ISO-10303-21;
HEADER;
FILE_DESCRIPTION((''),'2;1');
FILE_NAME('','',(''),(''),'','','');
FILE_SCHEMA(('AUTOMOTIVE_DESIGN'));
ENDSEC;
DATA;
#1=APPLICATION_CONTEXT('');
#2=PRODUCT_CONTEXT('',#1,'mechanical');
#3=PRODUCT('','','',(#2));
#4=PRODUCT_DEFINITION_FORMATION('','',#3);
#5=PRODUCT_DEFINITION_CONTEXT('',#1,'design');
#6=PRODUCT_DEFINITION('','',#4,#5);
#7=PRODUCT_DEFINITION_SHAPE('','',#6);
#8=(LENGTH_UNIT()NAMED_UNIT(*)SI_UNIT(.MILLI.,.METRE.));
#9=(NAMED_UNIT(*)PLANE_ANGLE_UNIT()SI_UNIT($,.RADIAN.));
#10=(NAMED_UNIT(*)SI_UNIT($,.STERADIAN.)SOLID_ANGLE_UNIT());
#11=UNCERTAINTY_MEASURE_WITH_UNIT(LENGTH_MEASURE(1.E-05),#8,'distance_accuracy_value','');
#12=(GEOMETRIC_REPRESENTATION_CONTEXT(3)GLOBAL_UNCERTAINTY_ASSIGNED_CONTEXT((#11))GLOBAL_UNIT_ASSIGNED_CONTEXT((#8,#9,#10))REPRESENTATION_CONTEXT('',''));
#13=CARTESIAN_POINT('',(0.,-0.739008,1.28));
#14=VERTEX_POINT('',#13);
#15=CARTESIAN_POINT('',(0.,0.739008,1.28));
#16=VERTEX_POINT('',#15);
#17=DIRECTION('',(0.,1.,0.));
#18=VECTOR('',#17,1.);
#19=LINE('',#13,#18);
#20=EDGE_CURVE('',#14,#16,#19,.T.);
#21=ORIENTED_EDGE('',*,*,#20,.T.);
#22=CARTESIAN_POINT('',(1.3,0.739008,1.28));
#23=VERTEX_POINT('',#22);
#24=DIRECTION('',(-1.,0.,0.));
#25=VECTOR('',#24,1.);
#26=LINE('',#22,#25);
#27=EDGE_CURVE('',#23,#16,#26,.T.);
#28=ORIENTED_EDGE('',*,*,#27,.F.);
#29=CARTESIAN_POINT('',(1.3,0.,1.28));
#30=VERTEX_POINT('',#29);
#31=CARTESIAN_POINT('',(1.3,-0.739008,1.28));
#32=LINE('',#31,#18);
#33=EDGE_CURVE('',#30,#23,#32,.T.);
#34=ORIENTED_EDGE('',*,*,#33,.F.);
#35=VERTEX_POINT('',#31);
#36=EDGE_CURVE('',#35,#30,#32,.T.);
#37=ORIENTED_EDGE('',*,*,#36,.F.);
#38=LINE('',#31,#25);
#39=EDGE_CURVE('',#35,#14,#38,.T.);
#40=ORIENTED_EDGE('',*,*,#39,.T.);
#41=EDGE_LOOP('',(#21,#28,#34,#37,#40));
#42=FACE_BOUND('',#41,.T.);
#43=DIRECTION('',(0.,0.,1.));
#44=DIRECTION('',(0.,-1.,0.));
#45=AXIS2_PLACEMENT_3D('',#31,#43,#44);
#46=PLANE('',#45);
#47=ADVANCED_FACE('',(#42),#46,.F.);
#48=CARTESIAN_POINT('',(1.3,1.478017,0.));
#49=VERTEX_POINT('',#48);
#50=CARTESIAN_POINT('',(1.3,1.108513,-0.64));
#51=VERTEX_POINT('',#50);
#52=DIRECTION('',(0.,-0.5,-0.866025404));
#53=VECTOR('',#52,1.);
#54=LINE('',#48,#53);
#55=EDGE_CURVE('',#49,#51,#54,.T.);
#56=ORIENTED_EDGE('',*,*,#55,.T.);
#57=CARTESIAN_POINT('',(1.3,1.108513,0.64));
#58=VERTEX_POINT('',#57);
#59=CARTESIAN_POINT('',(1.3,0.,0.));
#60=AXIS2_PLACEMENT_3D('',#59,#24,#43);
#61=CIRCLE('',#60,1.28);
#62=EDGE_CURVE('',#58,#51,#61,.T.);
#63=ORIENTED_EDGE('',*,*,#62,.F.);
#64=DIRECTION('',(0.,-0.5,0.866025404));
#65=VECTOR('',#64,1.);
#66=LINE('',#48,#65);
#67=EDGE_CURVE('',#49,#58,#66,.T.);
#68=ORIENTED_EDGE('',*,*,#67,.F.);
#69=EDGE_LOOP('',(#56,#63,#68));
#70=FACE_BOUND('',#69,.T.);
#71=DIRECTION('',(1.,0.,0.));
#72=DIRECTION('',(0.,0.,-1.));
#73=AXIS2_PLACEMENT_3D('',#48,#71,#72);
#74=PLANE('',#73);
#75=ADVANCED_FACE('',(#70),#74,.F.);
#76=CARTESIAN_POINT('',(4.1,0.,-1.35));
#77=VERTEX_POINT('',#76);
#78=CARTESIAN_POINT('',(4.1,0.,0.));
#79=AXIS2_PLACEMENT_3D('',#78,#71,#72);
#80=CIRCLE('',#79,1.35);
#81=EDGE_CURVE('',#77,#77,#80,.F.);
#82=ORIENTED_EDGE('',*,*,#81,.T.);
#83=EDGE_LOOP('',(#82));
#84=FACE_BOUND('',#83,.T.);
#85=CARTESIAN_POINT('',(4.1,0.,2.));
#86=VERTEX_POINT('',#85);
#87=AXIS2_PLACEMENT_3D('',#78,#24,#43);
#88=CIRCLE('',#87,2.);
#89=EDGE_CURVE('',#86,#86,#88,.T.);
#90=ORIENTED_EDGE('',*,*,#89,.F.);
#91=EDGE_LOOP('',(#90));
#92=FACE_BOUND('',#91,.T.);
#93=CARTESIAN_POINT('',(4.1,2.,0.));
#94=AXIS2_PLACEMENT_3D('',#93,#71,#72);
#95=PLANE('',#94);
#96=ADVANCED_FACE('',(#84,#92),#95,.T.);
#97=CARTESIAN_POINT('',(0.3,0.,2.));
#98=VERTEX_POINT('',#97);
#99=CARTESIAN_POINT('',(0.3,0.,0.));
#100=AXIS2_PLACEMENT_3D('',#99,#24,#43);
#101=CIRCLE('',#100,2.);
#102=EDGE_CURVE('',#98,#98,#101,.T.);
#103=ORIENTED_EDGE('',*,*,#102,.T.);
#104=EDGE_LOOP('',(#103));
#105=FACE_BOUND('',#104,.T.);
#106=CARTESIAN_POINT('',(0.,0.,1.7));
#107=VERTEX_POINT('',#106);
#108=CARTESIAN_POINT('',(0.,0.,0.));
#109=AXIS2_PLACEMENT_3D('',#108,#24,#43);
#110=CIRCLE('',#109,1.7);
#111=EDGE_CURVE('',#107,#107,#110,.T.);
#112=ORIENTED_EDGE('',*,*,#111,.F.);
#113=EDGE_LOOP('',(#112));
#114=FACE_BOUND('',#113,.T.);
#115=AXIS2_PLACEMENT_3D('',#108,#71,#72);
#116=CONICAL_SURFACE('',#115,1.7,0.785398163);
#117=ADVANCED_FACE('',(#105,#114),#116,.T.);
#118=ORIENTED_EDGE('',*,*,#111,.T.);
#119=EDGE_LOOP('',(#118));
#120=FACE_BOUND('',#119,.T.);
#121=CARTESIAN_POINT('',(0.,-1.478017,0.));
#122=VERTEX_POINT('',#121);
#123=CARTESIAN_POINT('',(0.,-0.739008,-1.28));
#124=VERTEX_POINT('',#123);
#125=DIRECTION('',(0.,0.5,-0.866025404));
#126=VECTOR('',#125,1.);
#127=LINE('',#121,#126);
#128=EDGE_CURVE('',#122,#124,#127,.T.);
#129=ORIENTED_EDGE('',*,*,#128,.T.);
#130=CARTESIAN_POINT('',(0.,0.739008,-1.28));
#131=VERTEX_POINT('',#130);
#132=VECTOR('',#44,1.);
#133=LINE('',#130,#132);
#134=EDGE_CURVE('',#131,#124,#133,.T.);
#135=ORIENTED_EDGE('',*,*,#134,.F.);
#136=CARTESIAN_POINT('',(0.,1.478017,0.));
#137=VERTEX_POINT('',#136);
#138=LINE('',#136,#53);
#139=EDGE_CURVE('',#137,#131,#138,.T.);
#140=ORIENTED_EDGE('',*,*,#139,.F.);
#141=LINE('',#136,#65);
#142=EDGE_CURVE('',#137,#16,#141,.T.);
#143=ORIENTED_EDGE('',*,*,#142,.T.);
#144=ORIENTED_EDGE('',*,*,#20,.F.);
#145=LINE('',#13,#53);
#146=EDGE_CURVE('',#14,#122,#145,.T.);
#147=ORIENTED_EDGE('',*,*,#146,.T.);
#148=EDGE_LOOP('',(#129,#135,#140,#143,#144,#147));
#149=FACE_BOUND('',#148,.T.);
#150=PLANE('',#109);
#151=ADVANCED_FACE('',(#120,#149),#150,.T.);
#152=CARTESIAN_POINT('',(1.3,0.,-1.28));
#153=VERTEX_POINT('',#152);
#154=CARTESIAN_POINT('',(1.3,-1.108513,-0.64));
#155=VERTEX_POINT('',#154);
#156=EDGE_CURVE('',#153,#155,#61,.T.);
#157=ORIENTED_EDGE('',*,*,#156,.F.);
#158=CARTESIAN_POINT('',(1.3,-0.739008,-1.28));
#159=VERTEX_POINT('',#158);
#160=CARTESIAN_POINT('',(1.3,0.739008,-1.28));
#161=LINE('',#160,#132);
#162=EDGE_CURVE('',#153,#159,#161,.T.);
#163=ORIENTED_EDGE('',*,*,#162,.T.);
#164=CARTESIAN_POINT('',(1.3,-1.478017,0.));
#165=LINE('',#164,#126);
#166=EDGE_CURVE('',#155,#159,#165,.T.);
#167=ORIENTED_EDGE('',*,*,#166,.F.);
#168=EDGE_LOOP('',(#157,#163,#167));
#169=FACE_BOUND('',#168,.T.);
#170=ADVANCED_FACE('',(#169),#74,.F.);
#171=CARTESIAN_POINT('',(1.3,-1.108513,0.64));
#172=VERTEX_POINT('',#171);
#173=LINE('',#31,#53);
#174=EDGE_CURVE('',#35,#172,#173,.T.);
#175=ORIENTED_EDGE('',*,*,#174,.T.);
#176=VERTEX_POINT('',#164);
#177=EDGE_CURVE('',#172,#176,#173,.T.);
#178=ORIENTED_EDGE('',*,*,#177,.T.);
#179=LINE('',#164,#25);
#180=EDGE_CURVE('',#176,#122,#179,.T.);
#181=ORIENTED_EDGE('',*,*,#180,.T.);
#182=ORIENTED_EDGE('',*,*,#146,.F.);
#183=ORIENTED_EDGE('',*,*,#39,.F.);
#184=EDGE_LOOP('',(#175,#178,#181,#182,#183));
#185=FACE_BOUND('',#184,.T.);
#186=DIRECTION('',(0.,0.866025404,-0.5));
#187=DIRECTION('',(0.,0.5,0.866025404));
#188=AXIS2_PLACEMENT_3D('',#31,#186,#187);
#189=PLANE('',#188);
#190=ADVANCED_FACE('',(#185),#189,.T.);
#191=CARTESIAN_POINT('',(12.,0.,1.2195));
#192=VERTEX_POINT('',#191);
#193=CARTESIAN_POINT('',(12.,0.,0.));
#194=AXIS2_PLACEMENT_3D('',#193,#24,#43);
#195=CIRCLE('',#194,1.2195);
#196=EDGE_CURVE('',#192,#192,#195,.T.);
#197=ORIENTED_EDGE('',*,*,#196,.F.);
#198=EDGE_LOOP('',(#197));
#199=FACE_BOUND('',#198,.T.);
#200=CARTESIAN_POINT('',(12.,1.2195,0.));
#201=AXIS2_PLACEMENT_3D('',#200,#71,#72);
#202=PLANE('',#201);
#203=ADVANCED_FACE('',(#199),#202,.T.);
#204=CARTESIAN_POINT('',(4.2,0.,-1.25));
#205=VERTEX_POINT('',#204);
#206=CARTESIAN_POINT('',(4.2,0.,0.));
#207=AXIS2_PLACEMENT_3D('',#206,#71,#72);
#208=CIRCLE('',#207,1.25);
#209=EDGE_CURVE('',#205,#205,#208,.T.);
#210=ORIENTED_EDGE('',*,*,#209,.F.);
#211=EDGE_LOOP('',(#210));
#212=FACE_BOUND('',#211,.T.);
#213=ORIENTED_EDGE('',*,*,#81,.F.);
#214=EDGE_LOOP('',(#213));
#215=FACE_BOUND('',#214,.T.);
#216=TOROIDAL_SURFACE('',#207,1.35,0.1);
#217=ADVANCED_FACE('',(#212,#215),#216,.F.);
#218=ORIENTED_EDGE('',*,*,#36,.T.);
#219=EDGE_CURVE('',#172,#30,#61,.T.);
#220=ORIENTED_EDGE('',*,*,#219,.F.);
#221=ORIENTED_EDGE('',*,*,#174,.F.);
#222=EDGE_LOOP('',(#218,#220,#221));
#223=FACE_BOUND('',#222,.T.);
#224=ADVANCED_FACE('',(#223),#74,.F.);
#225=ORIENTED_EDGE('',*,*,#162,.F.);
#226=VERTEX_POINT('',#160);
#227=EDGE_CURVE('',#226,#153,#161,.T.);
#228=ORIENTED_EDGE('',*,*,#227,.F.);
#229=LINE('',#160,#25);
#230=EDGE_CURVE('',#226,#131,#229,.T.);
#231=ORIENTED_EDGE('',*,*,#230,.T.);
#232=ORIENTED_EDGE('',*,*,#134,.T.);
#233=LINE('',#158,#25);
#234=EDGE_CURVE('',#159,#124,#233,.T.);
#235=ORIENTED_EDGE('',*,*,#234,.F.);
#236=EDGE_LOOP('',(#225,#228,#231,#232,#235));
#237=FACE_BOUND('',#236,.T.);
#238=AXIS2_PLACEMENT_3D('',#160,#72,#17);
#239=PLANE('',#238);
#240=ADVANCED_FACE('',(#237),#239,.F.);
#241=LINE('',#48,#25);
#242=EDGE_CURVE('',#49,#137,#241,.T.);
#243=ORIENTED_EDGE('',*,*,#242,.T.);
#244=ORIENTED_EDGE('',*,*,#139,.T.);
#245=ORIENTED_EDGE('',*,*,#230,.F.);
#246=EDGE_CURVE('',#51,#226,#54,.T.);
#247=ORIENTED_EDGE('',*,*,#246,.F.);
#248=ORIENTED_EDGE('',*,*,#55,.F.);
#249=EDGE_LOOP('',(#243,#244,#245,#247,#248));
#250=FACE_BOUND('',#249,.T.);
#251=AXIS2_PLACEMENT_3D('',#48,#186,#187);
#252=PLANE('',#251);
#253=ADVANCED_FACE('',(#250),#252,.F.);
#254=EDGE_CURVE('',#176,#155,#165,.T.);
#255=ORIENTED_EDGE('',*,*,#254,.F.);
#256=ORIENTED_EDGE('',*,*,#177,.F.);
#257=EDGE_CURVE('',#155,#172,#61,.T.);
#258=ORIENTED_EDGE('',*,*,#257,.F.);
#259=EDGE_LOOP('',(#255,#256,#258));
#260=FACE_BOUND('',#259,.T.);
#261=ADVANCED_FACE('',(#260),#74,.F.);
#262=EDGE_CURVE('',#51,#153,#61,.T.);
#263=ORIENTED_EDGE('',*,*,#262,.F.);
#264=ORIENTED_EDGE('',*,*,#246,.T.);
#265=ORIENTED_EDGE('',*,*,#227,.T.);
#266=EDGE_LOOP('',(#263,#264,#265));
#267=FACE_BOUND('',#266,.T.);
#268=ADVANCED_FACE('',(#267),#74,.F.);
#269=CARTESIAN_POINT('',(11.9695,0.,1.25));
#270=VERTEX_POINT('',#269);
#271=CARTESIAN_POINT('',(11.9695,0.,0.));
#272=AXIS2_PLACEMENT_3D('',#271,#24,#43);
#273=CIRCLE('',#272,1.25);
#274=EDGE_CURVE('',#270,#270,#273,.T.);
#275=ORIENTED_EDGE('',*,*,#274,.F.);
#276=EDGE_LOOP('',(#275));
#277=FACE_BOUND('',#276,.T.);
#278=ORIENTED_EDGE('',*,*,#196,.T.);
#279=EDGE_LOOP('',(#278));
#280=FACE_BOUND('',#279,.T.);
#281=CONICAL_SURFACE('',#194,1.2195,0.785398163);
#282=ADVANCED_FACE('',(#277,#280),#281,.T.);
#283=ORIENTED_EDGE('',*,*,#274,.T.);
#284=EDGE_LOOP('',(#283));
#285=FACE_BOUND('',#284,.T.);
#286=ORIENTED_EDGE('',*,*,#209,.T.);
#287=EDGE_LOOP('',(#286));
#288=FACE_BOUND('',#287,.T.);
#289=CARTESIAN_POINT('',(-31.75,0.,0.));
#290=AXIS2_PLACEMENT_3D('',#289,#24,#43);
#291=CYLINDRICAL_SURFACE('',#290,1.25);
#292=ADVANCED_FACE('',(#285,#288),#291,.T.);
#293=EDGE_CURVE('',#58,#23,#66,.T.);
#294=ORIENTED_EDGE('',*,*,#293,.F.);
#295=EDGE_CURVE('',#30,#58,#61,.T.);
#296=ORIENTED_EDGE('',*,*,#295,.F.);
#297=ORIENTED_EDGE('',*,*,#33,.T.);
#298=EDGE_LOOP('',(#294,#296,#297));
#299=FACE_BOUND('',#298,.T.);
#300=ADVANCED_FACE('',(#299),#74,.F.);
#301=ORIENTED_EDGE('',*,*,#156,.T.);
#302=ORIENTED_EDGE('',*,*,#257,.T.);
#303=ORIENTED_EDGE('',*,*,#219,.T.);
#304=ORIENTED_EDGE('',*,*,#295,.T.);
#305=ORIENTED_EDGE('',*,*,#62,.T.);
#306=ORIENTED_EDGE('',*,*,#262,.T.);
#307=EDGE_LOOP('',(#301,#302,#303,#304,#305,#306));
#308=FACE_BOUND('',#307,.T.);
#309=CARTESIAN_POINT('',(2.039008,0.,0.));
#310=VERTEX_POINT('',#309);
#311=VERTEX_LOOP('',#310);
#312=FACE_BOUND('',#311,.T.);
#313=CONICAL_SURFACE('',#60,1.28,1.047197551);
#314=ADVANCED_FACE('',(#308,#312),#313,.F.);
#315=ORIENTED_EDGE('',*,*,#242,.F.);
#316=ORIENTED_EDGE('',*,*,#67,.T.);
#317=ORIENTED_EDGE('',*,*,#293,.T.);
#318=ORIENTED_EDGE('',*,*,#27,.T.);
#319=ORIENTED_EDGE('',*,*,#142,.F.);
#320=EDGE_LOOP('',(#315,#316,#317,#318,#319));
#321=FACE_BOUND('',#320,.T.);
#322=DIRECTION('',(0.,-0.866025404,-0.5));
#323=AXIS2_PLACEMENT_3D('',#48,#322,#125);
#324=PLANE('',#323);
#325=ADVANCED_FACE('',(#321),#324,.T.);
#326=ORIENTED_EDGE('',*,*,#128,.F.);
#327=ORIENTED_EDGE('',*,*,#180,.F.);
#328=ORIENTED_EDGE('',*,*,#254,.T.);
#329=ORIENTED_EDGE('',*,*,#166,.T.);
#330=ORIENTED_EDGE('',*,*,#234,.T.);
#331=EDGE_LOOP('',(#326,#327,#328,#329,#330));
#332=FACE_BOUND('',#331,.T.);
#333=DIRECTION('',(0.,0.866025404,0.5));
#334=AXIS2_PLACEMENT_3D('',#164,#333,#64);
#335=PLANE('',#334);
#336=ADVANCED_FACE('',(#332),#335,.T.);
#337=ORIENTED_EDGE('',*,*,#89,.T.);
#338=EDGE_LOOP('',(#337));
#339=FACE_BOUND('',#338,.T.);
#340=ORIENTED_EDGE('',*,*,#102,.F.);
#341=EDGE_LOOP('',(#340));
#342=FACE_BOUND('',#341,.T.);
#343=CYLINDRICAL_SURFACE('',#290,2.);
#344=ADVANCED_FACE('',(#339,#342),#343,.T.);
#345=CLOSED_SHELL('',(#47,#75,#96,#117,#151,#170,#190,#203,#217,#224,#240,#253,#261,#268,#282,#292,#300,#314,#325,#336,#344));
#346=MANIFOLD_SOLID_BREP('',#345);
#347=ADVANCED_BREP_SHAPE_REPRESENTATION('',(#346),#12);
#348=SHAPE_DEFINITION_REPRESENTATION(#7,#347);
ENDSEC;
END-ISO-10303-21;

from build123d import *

# Parameters (mm, degrees)
FILLET1_R   = 0.1
HEX_2_DEPTH = 1.3


with BuildPart() as part:
    # BodySke → Base-Revolve (revolve)
    with BuildSketch(Plane.XY, mode=Mode.PRIVATE) as base_revolve_sk:
        Polygon((0, 0), (0, 1.7), (0.3, 2), (4.1, 2), (4.1, 1.25), (11.9695, 1.25), (12, 1.2195), (12, 0), align=None)
    revolve(base_revolve_sk.sketch.rotate(Axis((-31.75, 0, 0), (1, 0, 0)), 90), axis=Axis((-31.75, 0, 0), (1, 0, 0)))

    # Fillet1
    fillet1_edges = [part.edges().sort_by_distance(p)[0] for p in [
        (4.1, 0, -1.25),
    ]]
    fillet(fillet1_edges, radius=FILLET1_R)

    # Sketch2 → Hex-PreBroach (revolve, cut)
    with BuildSketch(Plane.XY, mode=Mode.PRIVATE) as hex_prebroach_sk:
        Polygon((0, 1.28), (1.3, 1.28), (2.039008345, 0), (0, 0), align=None)
    revolve(hex_prebroach_sk.sketch.rotate(Axis((0, 0, 0), (1, 0, 0)), 90), axis=Axis((0, 0, 0), (1, 0, 0)), mode=Mode.SUBTRACT)

    # Sketch3 → Hex 2 (cut)
    with BuildSketch(Plane(origin=(0, 0, 0), x_dir=(0, 0.500000000000001, 0.866025403784438), z_dir=(-1, 0, 0))):
        Polygon((0.739008345, 1.28), (-0.739008345, 1.28), (-1.478016689, 0), (-0.739008345, -1.28), (0.739008345, -1.28), (1.478016689, 0), align=None)
    extrude(amount=-HEX_2_DEPTH, mode=Mode.SUBTRACT)


solid = part.part
